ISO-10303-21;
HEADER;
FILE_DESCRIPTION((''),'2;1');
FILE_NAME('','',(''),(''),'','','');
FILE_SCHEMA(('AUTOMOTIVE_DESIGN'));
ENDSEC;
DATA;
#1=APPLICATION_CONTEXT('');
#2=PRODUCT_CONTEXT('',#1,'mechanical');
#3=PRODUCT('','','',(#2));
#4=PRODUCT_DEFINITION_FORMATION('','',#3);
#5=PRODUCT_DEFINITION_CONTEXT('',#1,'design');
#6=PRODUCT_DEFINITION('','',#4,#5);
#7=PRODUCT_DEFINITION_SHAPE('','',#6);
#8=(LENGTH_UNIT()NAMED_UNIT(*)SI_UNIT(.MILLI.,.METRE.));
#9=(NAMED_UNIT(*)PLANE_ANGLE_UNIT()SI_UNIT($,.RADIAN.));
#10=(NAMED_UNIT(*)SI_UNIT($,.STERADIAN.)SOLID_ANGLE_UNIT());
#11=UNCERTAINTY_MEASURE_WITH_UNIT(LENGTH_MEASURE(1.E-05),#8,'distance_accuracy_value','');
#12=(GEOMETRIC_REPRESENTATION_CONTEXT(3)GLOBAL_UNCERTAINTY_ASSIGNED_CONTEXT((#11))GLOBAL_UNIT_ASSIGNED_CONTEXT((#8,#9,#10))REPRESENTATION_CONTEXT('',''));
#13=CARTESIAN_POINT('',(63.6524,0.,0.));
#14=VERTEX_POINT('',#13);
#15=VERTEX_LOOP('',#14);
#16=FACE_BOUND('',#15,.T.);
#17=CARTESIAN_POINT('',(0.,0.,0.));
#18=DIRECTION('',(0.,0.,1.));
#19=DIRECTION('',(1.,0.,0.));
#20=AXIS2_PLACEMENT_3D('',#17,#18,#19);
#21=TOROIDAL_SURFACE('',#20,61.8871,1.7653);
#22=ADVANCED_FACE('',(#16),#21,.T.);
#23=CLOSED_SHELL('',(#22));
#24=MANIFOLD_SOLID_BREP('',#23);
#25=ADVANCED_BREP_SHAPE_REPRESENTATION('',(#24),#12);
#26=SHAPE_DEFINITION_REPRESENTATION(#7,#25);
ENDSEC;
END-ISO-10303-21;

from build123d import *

# Parameters (mm, degrees)
SKETCH1_R = 1.7653


with BuildPart() as part:
    # Sketch1 → Revolve1 (revolve)
    with BuildSketch(Plane(origin=(0, 0, 0), x_dir=(0, -1, 0), z_dir=(1, 0, 0)), mode=Mode.PRIVATE) as revolve1_sk:
        with Locations((61.8871, 0)):
            Circle(SKETCH1_R)
    revolve(revolve1_sk.sketch.rotate(Axis((0, 0, 1.7653), (0, 0, -1)), 270), axis=Axis((0, 0, 1.7653), (0, 0, -1)))


solid = part.part
